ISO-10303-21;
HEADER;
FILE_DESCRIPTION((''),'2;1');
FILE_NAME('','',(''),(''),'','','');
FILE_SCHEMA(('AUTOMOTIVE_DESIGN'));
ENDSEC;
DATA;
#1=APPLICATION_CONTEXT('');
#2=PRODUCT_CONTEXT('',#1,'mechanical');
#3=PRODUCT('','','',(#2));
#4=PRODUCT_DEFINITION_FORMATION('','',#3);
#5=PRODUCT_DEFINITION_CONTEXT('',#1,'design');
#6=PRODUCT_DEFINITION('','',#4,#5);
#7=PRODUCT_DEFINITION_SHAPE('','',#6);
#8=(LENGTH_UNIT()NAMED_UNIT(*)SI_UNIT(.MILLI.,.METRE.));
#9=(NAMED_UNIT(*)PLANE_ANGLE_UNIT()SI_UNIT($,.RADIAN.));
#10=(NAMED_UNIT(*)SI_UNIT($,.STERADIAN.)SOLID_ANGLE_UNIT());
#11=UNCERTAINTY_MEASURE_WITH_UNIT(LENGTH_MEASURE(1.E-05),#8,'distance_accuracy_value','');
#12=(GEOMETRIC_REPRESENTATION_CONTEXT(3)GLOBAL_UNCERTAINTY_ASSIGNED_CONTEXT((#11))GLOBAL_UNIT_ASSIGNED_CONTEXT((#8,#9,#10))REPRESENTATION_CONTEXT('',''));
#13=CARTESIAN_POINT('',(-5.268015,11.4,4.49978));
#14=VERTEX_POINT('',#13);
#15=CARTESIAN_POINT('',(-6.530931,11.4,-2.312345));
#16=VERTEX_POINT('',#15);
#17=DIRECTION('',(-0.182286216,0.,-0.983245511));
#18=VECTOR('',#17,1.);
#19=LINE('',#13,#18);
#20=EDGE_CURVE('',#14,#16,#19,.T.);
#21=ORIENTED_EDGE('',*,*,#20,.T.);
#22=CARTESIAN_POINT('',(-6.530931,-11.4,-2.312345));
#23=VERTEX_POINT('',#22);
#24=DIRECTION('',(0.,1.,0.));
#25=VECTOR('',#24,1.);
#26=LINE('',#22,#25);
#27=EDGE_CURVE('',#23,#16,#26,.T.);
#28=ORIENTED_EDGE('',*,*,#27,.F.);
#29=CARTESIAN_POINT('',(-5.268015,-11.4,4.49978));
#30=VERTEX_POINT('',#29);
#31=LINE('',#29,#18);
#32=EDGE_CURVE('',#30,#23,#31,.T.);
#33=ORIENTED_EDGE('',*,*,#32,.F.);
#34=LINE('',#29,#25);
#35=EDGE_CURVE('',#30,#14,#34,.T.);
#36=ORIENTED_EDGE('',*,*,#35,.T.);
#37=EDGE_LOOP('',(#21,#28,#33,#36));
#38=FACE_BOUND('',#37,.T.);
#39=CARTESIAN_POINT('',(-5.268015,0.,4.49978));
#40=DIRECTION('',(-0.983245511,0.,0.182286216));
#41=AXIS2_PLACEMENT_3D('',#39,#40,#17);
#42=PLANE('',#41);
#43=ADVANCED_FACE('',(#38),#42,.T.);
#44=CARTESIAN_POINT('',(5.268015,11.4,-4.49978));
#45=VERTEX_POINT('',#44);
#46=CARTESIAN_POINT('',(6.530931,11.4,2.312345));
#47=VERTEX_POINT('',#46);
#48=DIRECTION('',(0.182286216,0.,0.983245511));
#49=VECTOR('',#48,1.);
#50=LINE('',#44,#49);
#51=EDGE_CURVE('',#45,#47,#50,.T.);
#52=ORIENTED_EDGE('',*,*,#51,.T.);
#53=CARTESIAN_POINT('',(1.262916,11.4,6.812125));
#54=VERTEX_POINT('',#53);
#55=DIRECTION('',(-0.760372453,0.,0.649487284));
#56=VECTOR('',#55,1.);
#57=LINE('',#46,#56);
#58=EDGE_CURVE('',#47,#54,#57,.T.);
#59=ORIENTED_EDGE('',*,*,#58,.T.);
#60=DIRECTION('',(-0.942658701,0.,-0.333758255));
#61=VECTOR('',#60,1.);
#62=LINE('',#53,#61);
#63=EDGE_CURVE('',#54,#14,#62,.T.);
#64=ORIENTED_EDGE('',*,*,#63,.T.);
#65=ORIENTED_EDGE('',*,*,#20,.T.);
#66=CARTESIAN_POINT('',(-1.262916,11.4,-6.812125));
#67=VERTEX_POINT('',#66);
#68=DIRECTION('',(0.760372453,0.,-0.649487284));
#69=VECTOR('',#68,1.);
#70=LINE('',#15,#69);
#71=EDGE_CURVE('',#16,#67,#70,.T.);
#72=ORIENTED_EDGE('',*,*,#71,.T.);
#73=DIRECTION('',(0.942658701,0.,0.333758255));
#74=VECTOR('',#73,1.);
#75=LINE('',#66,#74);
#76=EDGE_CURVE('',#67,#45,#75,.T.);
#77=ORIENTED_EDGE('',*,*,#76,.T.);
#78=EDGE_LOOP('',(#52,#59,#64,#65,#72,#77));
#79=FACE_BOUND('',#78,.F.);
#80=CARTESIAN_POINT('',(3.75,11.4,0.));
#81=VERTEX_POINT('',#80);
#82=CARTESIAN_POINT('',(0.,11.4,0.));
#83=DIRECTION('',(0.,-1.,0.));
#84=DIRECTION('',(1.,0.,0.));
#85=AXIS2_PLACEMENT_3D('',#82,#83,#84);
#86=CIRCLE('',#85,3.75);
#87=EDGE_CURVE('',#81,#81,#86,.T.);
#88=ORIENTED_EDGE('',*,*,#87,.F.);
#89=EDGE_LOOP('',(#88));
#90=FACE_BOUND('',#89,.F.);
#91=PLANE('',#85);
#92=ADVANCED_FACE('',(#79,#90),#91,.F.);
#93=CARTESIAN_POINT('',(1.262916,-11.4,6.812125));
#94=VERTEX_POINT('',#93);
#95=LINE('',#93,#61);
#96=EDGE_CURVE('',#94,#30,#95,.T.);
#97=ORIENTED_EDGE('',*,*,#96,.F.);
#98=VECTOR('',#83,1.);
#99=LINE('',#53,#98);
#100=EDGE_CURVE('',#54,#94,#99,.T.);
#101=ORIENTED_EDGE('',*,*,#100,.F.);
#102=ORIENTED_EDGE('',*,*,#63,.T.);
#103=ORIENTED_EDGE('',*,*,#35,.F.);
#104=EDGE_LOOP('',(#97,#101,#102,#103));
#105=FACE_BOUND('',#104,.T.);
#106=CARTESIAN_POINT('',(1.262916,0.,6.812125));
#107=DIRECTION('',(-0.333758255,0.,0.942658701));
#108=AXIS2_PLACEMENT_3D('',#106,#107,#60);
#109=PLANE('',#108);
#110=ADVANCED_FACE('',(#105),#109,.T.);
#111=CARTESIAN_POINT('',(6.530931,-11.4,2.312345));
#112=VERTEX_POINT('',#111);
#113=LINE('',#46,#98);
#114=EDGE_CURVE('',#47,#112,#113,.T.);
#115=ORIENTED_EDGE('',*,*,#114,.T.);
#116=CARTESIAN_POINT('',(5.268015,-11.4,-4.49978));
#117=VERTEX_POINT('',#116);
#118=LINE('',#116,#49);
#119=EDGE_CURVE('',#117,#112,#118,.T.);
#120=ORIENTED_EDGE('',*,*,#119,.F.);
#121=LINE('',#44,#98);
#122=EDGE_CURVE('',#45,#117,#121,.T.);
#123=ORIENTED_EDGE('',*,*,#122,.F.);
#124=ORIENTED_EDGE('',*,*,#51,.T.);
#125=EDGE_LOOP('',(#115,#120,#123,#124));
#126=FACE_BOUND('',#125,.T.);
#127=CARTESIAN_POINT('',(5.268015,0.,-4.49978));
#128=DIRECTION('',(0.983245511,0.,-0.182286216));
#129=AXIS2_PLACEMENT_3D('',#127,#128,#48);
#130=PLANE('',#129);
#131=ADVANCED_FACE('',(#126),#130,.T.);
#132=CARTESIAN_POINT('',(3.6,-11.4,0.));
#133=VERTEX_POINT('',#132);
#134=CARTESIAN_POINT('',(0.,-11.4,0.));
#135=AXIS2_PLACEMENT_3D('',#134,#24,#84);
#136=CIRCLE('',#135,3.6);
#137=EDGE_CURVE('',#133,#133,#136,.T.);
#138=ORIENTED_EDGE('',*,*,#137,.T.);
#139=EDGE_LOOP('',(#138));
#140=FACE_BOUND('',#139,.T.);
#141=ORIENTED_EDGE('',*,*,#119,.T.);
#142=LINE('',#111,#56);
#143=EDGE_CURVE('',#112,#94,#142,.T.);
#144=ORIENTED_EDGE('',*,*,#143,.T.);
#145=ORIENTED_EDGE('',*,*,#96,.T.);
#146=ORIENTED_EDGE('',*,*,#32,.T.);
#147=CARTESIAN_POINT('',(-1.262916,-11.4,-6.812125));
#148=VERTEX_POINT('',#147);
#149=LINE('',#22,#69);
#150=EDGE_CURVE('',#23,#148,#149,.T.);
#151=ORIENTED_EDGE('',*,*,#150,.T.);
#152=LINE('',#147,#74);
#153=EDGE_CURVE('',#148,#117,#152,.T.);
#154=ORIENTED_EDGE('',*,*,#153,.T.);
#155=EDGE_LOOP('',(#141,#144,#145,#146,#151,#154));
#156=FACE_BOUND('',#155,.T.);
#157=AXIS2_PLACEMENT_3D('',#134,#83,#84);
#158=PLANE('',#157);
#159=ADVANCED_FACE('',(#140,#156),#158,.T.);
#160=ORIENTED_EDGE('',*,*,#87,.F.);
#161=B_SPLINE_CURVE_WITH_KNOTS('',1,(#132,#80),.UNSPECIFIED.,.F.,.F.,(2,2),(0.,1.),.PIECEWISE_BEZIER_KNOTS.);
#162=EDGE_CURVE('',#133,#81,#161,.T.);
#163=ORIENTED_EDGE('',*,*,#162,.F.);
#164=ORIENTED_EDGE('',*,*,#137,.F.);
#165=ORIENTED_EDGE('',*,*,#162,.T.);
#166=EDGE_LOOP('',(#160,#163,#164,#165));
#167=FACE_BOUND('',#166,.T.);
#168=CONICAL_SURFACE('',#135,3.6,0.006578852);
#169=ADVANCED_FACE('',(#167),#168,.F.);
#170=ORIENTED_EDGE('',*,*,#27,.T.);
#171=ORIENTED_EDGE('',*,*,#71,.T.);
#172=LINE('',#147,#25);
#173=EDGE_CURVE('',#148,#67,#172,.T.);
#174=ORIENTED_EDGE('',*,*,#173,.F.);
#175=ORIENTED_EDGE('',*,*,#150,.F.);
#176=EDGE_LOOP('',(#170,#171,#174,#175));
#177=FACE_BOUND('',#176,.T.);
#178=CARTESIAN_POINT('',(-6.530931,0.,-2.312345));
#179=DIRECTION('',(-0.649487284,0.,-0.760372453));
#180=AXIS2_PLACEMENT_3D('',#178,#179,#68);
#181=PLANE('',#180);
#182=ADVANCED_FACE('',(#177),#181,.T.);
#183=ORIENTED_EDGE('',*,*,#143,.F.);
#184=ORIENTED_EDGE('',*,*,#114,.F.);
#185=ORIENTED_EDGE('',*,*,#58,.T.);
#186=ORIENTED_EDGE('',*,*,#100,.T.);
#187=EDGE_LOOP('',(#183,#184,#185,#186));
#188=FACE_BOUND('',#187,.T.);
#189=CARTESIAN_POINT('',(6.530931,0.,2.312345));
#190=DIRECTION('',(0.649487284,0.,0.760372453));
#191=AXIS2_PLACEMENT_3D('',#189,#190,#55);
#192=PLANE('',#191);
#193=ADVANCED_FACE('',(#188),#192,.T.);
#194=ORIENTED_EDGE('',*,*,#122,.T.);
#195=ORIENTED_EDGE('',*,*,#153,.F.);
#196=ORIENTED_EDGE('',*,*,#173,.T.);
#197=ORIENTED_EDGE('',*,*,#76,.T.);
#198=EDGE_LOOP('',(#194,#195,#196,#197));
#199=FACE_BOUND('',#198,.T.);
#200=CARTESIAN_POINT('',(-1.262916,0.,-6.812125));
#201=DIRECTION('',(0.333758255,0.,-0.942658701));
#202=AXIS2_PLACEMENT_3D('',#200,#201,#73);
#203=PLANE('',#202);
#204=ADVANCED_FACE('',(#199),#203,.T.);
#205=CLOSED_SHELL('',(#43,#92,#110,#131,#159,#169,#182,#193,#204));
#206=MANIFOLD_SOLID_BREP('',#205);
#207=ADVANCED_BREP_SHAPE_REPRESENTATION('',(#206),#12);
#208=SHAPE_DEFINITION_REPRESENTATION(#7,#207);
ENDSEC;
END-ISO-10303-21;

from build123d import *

# Parameters (mm, degrees)
F1_DEPTH = 11.4
F3_R     = 3.6
F2_R     = 3.75


with BuildPart() as f1:
    # F0 (on Front) → F1 (new body, symmetric)
    with BuildSketch(Plane.XZ):
        Polygon((-1.262916, -6.812125), (5.268015, -4.49978), (6.530931, 2.312345), (1.262916, 6.812125), (-5.268015, 4.49978), (-6.530931, -2.312345), align=None)
    extrude(amount=F1_DEPTH, both=True)

    # F3 (on face) → F4 section 0
    with BuildSketch(Plane.XZ.offset(11.4)):
        Circle(F3_R)
    # F2 (on face) → F4 section 1
    with BuildSketch(Plane(origin=(0, 11.4, 0), x_dir=(-1, 0, 0), z_dir=(0, 1, 0))):
        Circle(F2_R)
    loft(mode=Mode.SUBTRACT)


solid = f1.part
